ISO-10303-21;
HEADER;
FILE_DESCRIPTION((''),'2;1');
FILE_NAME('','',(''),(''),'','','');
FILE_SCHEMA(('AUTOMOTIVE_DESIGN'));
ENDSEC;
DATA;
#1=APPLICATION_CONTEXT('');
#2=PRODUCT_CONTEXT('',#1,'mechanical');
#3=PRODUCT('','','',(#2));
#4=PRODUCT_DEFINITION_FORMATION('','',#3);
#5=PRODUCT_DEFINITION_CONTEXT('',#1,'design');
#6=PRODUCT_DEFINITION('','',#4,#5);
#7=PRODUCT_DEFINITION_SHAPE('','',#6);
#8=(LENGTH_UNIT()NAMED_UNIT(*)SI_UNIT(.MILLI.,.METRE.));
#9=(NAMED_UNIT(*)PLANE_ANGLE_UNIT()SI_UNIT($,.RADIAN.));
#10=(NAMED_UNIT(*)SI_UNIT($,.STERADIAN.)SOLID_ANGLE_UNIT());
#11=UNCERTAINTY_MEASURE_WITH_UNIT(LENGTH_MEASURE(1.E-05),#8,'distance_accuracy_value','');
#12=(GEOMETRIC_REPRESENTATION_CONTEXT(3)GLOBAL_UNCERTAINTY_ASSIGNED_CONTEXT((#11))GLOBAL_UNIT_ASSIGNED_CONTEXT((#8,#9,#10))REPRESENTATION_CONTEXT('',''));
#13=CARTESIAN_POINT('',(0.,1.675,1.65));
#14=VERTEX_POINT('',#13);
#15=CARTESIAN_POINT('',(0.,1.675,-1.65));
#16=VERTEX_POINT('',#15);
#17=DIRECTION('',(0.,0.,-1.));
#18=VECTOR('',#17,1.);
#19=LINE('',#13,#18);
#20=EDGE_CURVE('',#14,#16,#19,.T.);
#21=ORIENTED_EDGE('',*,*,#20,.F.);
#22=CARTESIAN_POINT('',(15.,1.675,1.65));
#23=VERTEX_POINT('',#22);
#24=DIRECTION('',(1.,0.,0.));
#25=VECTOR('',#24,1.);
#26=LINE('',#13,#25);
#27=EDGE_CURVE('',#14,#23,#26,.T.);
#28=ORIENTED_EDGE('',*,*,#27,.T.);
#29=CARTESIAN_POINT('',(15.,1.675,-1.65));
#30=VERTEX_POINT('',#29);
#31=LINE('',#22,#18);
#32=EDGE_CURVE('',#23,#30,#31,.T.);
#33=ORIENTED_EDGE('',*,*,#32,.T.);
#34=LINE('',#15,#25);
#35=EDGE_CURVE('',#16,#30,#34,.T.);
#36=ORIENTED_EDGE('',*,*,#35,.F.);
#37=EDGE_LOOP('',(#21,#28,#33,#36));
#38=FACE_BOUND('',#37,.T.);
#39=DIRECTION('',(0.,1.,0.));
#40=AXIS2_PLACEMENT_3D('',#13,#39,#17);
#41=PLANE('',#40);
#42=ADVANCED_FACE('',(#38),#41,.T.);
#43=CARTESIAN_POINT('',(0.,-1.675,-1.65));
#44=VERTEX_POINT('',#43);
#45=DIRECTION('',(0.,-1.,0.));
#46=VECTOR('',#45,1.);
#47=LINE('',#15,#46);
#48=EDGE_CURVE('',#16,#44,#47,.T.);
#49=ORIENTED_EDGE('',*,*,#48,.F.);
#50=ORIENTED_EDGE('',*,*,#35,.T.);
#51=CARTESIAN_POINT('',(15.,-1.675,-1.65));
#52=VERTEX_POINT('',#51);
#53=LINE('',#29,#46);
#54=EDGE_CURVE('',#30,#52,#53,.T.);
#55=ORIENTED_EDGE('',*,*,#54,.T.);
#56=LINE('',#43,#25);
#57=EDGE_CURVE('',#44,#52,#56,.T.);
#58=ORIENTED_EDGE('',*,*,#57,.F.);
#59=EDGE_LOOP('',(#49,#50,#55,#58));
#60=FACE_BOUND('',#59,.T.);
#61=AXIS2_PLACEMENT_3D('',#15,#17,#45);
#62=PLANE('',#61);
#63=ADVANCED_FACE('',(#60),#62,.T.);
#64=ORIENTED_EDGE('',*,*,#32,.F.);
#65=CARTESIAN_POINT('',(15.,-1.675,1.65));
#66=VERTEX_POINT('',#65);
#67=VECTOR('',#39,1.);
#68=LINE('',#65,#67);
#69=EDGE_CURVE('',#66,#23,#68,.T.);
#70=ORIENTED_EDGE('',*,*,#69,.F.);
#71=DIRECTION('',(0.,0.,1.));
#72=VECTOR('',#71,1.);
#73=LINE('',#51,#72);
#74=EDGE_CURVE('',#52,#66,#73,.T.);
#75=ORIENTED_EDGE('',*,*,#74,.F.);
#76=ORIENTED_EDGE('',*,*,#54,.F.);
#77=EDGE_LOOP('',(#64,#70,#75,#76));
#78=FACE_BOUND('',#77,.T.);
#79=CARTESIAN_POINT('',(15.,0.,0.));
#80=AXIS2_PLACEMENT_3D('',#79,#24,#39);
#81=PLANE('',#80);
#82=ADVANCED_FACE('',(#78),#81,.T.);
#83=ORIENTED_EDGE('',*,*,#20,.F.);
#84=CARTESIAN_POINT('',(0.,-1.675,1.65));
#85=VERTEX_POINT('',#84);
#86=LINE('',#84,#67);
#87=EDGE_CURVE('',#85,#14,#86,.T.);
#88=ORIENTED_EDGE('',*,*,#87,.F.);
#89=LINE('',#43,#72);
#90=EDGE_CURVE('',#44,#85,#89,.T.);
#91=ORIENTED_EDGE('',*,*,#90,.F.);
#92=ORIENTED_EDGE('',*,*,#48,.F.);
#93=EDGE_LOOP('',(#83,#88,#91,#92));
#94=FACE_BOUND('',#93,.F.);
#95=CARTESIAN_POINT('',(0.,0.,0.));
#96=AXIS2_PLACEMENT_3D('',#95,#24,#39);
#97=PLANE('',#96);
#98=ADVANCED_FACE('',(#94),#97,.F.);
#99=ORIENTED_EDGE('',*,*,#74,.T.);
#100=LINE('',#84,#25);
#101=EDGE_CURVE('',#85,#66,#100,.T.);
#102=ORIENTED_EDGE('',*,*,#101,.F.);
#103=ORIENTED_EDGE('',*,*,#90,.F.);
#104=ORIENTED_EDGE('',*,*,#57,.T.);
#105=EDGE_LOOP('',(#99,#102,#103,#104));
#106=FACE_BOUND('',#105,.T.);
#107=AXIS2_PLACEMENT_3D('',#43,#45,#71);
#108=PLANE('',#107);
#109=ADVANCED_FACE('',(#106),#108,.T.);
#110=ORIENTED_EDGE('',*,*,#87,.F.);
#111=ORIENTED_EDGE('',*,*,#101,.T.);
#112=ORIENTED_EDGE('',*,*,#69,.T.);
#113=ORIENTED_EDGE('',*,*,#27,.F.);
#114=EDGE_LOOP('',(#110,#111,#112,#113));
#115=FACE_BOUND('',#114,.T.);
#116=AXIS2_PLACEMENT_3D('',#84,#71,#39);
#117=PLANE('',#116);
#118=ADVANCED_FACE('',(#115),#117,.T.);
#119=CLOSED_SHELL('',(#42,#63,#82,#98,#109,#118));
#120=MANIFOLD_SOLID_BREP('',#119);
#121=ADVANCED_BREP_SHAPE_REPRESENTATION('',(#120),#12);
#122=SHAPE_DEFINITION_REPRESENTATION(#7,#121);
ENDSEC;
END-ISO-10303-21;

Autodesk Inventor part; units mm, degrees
ref_plane "YZ Plane" through (0, 0, 0) normal (1, 0, 0) x (0, 1, 0)
ref_plane "XZ Plane" through (0, 0, 0) normal (0, 1, 0) x (-1, 0, 0)
ref_plane "XY Plane" through (0, 0, 0) normal (0, 0, 1) x (1, 0, 0)
sketch "스케치1" plane through (0, 0, 0) normal (1, 0, 0) x (0, 1, 0)
  line L0 (-1.675, 1.65) -> (1.675, 1.65)
  line L1 (1.675, 1.65) -> (1.675, -1.65)
  line L2 (1.675, -1.65) -> (-1.675, -1.65)
  line L3 (-1.675, -1.65) -> (-1.675, 1.65)
  line L4 (-1.675, 1.65) -> (1.675, -1.65) construction
  line L5 (1.675, 1.65) -> (-1.675, -1.65) construction
  point P0 (0, 0)
  dimension "d0" = 3.35
  dimension "d1" = 3.3
extrude "돌출1" add sketch "스케치1" along normal blind 15
properties part number "key_v2"
